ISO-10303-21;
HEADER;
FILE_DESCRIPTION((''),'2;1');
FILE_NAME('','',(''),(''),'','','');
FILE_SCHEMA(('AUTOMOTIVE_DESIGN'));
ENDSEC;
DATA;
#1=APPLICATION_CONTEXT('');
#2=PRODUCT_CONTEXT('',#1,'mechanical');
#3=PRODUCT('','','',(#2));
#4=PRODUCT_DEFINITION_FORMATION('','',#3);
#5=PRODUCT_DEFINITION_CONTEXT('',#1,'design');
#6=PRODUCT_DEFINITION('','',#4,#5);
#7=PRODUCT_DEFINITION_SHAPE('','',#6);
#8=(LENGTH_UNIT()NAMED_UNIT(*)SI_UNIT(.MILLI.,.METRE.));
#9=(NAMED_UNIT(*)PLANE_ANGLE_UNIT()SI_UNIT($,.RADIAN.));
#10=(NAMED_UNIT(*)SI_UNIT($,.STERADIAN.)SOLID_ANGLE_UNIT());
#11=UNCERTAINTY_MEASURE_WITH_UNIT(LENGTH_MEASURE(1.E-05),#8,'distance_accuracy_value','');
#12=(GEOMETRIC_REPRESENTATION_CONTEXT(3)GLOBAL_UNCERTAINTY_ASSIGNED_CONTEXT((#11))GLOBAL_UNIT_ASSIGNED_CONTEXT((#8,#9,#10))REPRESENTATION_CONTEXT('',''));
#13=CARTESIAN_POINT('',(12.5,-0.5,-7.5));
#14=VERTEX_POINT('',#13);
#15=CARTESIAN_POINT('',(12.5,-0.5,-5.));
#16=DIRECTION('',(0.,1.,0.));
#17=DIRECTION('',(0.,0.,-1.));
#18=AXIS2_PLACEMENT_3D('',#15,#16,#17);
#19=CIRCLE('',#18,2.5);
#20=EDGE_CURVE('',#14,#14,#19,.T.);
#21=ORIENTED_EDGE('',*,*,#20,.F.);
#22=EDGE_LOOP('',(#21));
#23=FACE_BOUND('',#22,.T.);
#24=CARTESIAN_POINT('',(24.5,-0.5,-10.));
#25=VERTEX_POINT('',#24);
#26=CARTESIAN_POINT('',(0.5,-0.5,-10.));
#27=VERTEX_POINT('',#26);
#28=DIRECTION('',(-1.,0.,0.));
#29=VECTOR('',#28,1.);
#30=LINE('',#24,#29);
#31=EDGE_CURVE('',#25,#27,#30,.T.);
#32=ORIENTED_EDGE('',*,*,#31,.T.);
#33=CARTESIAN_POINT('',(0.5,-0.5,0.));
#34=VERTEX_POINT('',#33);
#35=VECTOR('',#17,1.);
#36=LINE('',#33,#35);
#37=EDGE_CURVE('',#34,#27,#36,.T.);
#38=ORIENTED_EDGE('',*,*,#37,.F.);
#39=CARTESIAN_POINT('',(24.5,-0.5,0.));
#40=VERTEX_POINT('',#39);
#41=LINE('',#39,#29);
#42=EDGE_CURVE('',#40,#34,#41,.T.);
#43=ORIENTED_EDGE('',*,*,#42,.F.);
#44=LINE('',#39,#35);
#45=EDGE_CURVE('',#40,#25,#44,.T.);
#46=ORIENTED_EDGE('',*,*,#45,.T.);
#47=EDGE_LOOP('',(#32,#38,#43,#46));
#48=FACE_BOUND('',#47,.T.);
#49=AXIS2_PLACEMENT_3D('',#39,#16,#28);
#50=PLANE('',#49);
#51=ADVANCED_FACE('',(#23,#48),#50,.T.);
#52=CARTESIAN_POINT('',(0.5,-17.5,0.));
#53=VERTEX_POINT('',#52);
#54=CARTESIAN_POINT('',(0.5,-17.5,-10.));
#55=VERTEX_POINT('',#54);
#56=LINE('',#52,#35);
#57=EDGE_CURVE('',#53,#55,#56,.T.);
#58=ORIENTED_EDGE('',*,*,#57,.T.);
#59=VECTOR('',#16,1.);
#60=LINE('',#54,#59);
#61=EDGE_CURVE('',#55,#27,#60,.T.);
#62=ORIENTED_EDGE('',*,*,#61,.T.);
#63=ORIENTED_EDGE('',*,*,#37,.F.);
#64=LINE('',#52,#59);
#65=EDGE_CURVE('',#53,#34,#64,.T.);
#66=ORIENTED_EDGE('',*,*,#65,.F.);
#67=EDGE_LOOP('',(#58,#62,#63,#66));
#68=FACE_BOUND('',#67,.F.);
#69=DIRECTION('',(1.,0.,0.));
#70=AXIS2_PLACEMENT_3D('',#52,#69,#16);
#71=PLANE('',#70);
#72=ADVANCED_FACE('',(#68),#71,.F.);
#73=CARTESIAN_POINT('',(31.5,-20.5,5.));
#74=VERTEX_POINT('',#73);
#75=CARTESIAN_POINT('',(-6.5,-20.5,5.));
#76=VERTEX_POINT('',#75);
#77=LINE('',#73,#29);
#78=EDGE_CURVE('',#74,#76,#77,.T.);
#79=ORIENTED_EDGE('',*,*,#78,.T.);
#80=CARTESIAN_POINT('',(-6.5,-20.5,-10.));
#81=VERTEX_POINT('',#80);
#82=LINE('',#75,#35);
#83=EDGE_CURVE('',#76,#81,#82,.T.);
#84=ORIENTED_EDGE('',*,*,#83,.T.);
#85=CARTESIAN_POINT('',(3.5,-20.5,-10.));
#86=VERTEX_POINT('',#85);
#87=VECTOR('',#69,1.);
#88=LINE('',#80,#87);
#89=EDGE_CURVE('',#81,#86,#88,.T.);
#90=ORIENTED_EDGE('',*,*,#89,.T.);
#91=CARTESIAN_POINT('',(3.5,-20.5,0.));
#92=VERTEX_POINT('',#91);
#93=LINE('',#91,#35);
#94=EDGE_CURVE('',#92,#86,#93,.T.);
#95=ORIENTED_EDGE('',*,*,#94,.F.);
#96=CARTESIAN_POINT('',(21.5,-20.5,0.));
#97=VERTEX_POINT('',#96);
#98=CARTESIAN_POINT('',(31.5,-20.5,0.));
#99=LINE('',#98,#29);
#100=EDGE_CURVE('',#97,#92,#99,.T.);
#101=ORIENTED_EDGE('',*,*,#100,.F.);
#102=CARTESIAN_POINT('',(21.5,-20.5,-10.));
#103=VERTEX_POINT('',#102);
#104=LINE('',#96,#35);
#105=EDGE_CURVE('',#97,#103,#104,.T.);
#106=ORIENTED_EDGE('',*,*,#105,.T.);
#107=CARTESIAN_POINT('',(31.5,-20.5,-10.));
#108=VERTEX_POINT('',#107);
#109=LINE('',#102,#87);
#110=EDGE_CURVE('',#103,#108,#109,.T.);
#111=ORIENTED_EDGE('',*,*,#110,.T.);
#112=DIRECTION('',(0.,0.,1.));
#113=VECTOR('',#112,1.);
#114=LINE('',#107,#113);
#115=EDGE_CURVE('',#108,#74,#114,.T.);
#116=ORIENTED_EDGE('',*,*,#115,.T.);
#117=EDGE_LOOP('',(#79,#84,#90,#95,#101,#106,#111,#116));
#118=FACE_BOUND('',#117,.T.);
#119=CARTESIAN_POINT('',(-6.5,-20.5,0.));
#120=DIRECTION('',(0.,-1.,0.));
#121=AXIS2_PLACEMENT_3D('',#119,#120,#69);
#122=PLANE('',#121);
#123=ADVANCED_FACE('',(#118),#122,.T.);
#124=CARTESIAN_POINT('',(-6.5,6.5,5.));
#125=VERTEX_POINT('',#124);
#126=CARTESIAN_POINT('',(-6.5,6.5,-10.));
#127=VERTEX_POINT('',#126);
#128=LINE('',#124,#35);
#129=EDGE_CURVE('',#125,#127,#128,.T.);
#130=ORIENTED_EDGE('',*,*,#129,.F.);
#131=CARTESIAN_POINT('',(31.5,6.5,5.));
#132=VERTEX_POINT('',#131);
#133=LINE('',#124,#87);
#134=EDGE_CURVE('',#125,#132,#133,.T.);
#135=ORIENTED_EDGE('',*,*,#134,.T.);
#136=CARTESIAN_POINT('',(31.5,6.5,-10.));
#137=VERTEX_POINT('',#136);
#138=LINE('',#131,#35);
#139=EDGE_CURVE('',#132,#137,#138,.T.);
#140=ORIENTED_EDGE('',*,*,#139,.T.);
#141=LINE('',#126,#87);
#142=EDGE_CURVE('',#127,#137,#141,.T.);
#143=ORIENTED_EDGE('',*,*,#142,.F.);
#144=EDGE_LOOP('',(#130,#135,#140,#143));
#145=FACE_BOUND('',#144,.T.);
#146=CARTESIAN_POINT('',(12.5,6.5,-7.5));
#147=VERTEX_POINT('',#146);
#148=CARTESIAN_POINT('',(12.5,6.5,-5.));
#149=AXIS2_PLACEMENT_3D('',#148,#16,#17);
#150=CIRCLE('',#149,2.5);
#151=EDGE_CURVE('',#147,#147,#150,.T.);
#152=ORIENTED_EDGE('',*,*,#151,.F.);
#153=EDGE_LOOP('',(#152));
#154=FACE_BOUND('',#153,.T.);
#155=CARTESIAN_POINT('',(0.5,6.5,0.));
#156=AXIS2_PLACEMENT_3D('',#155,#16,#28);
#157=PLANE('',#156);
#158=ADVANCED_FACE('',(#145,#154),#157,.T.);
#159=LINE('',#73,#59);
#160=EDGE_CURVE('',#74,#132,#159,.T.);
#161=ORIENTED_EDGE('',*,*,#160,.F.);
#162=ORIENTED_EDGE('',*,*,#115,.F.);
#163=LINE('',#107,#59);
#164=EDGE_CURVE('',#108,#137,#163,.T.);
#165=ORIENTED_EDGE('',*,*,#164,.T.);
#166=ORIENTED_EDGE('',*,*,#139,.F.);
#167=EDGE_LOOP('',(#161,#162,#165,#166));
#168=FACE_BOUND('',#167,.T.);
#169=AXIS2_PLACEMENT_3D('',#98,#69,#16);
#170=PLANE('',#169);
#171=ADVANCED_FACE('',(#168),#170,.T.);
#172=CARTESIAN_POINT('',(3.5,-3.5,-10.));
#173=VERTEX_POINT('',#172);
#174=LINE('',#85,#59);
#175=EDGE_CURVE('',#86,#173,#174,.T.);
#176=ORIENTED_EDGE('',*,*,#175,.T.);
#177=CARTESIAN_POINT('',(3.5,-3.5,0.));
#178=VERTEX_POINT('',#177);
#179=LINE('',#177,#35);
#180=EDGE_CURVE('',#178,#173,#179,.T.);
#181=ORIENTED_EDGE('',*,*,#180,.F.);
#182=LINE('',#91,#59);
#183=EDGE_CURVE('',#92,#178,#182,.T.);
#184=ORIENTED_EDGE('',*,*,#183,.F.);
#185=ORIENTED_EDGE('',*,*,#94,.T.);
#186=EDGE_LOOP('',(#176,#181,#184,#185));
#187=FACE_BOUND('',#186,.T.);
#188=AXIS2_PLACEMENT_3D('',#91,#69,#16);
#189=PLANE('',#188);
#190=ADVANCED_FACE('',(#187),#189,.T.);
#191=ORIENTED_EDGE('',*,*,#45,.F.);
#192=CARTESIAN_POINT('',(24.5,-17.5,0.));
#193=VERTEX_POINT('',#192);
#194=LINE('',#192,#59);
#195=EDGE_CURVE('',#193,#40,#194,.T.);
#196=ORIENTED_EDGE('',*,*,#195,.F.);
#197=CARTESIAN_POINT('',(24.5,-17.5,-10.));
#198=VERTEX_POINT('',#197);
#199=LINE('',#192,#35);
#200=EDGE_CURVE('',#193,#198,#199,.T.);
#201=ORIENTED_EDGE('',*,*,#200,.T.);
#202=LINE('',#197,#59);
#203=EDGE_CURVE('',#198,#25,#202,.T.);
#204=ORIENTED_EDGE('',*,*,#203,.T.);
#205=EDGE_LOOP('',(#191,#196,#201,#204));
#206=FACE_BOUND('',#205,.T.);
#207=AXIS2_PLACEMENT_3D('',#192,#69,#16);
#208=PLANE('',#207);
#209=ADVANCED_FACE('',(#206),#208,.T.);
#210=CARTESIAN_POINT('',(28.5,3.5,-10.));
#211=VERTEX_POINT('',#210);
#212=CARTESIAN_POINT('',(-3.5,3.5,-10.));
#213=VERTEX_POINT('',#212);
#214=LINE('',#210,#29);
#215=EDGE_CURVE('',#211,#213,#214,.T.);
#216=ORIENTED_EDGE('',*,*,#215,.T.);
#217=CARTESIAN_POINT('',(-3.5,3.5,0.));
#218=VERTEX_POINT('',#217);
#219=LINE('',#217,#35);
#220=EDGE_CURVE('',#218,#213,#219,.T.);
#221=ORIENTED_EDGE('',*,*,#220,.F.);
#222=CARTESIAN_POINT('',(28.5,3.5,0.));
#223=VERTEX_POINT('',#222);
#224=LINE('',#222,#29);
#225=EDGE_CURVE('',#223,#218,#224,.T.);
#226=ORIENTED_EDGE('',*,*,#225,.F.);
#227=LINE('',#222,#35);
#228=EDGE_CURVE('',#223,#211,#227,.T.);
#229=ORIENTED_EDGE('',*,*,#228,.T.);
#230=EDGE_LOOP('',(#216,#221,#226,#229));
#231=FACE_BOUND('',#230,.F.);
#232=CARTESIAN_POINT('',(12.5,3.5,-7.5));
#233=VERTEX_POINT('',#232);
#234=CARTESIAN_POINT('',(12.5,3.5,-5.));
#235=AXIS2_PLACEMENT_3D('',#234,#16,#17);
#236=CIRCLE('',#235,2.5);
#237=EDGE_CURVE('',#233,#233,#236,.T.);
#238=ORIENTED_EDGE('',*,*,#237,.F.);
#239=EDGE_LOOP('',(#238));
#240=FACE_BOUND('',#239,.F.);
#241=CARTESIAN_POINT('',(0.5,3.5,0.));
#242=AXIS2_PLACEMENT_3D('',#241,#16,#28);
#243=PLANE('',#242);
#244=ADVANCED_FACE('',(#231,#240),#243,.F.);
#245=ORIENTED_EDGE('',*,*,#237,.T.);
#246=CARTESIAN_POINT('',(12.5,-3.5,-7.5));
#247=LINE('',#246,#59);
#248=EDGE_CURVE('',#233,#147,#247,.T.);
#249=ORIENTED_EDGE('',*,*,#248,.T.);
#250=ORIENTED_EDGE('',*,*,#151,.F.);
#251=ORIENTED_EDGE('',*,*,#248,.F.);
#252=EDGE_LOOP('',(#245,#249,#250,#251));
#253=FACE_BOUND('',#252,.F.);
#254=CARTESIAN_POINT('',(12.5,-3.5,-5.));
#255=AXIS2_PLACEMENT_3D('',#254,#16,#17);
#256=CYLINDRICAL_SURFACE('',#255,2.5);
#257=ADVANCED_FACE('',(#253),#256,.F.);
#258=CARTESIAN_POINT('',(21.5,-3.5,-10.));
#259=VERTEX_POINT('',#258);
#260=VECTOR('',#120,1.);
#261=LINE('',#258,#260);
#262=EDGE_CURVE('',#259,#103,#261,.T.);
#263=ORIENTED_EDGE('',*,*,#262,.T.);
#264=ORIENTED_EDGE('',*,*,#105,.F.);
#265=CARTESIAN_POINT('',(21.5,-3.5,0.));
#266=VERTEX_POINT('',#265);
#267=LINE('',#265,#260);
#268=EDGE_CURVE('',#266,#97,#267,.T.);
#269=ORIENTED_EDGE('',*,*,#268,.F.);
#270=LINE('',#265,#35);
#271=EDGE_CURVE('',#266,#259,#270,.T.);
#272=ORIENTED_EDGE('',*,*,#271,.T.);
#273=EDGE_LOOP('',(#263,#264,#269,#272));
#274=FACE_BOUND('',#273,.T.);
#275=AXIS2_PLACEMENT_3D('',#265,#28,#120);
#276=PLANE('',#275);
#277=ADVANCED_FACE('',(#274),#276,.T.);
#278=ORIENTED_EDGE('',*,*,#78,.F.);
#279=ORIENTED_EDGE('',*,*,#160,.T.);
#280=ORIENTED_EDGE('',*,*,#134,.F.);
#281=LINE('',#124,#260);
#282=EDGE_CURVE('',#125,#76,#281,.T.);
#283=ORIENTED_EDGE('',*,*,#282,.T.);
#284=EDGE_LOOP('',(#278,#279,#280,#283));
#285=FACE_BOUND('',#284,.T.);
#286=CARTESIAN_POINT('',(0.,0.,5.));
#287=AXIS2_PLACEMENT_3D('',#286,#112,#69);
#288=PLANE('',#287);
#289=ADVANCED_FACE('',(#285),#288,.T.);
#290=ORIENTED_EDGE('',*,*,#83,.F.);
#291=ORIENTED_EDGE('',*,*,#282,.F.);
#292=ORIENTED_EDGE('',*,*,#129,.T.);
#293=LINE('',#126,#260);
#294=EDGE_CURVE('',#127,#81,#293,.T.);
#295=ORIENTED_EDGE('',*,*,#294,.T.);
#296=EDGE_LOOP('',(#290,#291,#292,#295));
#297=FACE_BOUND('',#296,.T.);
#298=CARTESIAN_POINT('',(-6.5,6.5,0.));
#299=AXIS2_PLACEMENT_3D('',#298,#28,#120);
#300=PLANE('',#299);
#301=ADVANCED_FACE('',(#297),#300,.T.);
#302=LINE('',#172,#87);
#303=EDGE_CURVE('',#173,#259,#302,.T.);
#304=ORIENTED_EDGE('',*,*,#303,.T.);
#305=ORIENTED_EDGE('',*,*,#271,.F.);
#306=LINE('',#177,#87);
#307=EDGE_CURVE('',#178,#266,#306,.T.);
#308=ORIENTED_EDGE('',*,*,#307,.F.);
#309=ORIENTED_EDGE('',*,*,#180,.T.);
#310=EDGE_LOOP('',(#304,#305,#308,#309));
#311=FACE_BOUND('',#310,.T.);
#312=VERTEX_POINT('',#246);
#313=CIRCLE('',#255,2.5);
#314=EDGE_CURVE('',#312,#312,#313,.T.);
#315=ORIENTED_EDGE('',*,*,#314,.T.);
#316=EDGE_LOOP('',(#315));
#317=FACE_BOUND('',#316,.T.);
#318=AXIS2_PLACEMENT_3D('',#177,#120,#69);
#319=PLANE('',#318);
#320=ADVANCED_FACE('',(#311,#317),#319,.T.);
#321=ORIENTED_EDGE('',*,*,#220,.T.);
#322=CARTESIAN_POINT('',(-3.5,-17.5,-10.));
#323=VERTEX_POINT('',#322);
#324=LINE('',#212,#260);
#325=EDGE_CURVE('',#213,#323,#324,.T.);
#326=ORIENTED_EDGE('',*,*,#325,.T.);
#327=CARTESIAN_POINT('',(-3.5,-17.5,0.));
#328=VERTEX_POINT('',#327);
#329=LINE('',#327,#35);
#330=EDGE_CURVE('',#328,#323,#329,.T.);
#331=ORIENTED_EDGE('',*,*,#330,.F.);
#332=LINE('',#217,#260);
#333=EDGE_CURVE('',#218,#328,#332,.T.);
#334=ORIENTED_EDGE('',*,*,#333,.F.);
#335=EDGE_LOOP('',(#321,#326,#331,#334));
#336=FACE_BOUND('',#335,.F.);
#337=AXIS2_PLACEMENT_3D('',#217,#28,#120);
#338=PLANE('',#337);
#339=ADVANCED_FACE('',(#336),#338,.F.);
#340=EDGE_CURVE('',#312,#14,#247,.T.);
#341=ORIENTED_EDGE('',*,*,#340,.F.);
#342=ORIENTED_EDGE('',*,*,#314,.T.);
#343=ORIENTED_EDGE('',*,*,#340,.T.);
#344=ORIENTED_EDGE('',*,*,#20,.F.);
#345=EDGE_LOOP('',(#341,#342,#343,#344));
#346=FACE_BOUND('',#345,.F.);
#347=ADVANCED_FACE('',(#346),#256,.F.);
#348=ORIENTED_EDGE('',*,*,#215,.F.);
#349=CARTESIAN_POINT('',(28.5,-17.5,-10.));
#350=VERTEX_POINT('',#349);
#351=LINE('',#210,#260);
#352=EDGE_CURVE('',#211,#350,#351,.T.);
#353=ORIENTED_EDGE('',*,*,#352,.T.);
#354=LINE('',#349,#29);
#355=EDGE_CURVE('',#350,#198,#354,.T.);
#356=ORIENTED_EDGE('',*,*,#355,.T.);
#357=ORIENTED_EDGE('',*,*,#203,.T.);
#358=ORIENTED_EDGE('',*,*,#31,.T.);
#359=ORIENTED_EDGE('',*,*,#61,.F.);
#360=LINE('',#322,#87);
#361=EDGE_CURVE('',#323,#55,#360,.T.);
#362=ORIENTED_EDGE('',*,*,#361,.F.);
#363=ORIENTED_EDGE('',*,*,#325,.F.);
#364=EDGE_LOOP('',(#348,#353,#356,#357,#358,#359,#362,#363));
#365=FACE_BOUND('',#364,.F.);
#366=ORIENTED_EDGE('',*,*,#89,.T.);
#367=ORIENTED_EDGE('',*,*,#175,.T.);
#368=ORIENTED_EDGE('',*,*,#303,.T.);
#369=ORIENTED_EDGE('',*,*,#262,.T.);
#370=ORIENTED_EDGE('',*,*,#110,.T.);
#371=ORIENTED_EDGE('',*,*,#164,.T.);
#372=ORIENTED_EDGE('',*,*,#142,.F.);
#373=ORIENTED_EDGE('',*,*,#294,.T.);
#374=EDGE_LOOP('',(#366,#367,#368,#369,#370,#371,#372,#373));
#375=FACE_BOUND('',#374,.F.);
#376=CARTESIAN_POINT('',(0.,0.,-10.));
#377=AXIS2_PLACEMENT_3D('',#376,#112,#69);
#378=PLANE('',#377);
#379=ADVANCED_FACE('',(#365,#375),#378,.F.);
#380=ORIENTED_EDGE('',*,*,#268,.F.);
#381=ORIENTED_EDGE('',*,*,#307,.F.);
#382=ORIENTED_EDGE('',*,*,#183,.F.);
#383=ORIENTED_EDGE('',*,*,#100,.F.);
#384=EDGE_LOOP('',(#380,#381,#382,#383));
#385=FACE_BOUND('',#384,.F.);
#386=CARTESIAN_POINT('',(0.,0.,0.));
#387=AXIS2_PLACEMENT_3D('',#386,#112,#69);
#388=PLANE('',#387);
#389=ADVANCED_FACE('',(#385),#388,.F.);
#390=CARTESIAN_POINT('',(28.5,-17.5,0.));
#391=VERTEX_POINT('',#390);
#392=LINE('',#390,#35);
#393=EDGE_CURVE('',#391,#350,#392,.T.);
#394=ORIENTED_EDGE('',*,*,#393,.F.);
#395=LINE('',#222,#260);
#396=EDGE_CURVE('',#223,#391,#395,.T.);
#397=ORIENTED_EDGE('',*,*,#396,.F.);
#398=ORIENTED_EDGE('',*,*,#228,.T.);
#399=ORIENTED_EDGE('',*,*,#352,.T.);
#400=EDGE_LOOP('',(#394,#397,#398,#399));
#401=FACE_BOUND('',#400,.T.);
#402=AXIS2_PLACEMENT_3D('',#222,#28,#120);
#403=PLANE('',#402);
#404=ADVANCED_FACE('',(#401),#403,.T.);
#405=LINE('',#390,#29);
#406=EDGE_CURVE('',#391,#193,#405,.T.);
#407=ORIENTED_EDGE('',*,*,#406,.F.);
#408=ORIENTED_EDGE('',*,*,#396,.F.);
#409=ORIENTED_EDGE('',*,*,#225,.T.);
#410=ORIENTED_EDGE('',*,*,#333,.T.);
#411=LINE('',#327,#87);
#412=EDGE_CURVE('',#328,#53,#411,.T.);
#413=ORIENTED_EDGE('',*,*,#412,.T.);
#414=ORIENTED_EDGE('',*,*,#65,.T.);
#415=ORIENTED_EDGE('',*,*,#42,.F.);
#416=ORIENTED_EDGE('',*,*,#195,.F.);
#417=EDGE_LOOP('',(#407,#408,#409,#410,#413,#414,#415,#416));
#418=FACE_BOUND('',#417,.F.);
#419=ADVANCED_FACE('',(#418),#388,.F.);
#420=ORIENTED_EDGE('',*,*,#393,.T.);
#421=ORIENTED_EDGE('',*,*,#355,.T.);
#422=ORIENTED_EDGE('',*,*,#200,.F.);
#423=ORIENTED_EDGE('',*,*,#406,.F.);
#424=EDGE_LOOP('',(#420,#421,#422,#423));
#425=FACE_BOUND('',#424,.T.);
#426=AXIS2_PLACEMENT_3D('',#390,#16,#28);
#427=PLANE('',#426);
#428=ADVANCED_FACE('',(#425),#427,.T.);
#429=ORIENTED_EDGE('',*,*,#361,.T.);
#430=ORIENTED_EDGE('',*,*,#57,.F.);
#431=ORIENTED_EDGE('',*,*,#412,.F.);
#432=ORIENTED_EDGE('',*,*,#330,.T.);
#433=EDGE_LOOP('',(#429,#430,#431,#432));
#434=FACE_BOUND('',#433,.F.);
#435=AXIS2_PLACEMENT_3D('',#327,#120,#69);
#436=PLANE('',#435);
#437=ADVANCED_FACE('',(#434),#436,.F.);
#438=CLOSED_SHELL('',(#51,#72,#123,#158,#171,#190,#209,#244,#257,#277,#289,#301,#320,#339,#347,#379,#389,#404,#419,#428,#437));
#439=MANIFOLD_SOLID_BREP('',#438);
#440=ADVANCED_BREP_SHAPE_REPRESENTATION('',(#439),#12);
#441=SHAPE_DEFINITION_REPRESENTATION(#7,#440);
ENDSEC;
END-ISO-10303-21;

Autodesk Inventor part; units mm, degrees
ref_plane "YZ Plane" through (0, 0, 0) normal (1, 0, 0) x (0, 1, 0)
ref_plane "XZ Plane" through (0, 0, 0) normal (0, 1, 0) x (-1, 0, 0)
ref_plane "XY Plane" through (0, 0, 0) normal (0, 0, 1) x (1, 0, 0)
sketch "Sketch1" plane through (0, 0, 0) normal (0, 0, 1) x (1, 0, 0)
  line L0 (0, 0) -> (0, 3)
  line L1 (0, 3) -> (25, 3)
  line L2 (25, 3) -> (25, 0)
  line L3 (25, 0) -> (0, 0)
  line L4 (0.5, 3.5) -> (24.5, 3.5)
  line L5 (25, 3) -> (28, 3)
  line L6 (28, 3) -> (28, -17)
  line L7 (28, -17) -> (25, -17)
  line L8 (25, -17) -> (25, 3)
  line L9 (24.5, 3.5) -> (28.5, 3.5)
  line L10 (28.5, 3.5) -> (28.5, -17.5)
  line L11 (28.5, -17.5) -> (24.5, -17.5)
  line L12 (24.5, -17.5) -> (24.5, -0.5)
  line L13 (-3, 3) -> (0, 3)
  line L14 (0, 3) -> (0, -17)
  line L15 (0, -17) -> (-3, -17)
  line L16 (-3, -17) -> (-3, 3)
  line L17 (0.5, 3.5) -> (-3.5, 3.5)
  line L18 (-3.5, 3.5) -> (-3.5, -17.5)
  line L19 (-3.5, -17.5) -> (0.5, -17.5)
  line L20 (24.5, -0.5) -> (0.5, -0.5)
  line L21 (0.5, -17.5) -> (0.5, -0.5)
  line L22 (12.5, 0) -> (12.5, -5.0944) construction
  line L23 (21.5, -3.5) -> (21.5, -20.5)
  line L24 (21.5, -20.5) -> (31.5, -20.5)
  line L25 (31.5, -20.5) -> (31.5, 6.5)
  line L26 (31.5, 6.5) -> (24.5, 6.5)
  line L27 (24.5, 6.5) -> (0.5, 6.5)
  line L28 (0.5, 6.5) -> (-6.5, 6.5)
  line L29 (-6.5, 6.5) -> (-6.5, -20.5)
  line L30 (-6.5, -20.5) -> (3.5, -20.5)
  line L31 (3.5, -20.5) -> (3.5, -3.5)
  line L32 (3.5, -3.5) -> (21.5, -3.5)
  line L33 (21.5, -20.5) -> (3.5, -20.5)
  dimension "d1" = 0.5
  dimension "d3" = 0.5
  dimension "d4" = 0.5
  dimension "d5" = 3
extrude "Extrusion1" add sketch "Sketch1" against normal blind 10 contours L32 L31 L30 L29 L28 L27 L26 L25 L24 L23
extrude "Extrusion2" add sketch "Sketch1" along normal blind 5 contours L14 L15 L16 L13 L0 | L0 L1 L2 L3 | L2 L5 L6 L7 L8 | L4 L9 L10 L11 L12 L20 L21 L19 L18 L17 | L32 L31 L30 L29 L28 L27 L26 L25 L24 L23 | L23 L33 L31 L32
sketch "Sketch2" plane through (3.5, -3.5, -10) normal (0, -1, 0) x (1, 0, 0)
  line L0 (0, 0) -> (-10, 0) projected
  line L1 (18, 10) -> (18, 0) projected
  line L2 (0, 0) -> (18, 0) construction
  line L3 (18, 0) -> (18, 10)
  line L4 (18, 10) -> (0, 10) construction
  line L5 (0, 10) -> (0, 0) construction
  point P0 (-3.5, 10)
  point P1 (18, 15)
  point P2 (9, 5)
  dimension "d10" = 5
  dimension "d11" = 9
  dimension "d12" = 10
hole "Hole1" at (12.5, -3.5, -5) direction (0, 1, 0) diameter 5 depth 300 tip angle 118
properties part number "Toper_Carril"
